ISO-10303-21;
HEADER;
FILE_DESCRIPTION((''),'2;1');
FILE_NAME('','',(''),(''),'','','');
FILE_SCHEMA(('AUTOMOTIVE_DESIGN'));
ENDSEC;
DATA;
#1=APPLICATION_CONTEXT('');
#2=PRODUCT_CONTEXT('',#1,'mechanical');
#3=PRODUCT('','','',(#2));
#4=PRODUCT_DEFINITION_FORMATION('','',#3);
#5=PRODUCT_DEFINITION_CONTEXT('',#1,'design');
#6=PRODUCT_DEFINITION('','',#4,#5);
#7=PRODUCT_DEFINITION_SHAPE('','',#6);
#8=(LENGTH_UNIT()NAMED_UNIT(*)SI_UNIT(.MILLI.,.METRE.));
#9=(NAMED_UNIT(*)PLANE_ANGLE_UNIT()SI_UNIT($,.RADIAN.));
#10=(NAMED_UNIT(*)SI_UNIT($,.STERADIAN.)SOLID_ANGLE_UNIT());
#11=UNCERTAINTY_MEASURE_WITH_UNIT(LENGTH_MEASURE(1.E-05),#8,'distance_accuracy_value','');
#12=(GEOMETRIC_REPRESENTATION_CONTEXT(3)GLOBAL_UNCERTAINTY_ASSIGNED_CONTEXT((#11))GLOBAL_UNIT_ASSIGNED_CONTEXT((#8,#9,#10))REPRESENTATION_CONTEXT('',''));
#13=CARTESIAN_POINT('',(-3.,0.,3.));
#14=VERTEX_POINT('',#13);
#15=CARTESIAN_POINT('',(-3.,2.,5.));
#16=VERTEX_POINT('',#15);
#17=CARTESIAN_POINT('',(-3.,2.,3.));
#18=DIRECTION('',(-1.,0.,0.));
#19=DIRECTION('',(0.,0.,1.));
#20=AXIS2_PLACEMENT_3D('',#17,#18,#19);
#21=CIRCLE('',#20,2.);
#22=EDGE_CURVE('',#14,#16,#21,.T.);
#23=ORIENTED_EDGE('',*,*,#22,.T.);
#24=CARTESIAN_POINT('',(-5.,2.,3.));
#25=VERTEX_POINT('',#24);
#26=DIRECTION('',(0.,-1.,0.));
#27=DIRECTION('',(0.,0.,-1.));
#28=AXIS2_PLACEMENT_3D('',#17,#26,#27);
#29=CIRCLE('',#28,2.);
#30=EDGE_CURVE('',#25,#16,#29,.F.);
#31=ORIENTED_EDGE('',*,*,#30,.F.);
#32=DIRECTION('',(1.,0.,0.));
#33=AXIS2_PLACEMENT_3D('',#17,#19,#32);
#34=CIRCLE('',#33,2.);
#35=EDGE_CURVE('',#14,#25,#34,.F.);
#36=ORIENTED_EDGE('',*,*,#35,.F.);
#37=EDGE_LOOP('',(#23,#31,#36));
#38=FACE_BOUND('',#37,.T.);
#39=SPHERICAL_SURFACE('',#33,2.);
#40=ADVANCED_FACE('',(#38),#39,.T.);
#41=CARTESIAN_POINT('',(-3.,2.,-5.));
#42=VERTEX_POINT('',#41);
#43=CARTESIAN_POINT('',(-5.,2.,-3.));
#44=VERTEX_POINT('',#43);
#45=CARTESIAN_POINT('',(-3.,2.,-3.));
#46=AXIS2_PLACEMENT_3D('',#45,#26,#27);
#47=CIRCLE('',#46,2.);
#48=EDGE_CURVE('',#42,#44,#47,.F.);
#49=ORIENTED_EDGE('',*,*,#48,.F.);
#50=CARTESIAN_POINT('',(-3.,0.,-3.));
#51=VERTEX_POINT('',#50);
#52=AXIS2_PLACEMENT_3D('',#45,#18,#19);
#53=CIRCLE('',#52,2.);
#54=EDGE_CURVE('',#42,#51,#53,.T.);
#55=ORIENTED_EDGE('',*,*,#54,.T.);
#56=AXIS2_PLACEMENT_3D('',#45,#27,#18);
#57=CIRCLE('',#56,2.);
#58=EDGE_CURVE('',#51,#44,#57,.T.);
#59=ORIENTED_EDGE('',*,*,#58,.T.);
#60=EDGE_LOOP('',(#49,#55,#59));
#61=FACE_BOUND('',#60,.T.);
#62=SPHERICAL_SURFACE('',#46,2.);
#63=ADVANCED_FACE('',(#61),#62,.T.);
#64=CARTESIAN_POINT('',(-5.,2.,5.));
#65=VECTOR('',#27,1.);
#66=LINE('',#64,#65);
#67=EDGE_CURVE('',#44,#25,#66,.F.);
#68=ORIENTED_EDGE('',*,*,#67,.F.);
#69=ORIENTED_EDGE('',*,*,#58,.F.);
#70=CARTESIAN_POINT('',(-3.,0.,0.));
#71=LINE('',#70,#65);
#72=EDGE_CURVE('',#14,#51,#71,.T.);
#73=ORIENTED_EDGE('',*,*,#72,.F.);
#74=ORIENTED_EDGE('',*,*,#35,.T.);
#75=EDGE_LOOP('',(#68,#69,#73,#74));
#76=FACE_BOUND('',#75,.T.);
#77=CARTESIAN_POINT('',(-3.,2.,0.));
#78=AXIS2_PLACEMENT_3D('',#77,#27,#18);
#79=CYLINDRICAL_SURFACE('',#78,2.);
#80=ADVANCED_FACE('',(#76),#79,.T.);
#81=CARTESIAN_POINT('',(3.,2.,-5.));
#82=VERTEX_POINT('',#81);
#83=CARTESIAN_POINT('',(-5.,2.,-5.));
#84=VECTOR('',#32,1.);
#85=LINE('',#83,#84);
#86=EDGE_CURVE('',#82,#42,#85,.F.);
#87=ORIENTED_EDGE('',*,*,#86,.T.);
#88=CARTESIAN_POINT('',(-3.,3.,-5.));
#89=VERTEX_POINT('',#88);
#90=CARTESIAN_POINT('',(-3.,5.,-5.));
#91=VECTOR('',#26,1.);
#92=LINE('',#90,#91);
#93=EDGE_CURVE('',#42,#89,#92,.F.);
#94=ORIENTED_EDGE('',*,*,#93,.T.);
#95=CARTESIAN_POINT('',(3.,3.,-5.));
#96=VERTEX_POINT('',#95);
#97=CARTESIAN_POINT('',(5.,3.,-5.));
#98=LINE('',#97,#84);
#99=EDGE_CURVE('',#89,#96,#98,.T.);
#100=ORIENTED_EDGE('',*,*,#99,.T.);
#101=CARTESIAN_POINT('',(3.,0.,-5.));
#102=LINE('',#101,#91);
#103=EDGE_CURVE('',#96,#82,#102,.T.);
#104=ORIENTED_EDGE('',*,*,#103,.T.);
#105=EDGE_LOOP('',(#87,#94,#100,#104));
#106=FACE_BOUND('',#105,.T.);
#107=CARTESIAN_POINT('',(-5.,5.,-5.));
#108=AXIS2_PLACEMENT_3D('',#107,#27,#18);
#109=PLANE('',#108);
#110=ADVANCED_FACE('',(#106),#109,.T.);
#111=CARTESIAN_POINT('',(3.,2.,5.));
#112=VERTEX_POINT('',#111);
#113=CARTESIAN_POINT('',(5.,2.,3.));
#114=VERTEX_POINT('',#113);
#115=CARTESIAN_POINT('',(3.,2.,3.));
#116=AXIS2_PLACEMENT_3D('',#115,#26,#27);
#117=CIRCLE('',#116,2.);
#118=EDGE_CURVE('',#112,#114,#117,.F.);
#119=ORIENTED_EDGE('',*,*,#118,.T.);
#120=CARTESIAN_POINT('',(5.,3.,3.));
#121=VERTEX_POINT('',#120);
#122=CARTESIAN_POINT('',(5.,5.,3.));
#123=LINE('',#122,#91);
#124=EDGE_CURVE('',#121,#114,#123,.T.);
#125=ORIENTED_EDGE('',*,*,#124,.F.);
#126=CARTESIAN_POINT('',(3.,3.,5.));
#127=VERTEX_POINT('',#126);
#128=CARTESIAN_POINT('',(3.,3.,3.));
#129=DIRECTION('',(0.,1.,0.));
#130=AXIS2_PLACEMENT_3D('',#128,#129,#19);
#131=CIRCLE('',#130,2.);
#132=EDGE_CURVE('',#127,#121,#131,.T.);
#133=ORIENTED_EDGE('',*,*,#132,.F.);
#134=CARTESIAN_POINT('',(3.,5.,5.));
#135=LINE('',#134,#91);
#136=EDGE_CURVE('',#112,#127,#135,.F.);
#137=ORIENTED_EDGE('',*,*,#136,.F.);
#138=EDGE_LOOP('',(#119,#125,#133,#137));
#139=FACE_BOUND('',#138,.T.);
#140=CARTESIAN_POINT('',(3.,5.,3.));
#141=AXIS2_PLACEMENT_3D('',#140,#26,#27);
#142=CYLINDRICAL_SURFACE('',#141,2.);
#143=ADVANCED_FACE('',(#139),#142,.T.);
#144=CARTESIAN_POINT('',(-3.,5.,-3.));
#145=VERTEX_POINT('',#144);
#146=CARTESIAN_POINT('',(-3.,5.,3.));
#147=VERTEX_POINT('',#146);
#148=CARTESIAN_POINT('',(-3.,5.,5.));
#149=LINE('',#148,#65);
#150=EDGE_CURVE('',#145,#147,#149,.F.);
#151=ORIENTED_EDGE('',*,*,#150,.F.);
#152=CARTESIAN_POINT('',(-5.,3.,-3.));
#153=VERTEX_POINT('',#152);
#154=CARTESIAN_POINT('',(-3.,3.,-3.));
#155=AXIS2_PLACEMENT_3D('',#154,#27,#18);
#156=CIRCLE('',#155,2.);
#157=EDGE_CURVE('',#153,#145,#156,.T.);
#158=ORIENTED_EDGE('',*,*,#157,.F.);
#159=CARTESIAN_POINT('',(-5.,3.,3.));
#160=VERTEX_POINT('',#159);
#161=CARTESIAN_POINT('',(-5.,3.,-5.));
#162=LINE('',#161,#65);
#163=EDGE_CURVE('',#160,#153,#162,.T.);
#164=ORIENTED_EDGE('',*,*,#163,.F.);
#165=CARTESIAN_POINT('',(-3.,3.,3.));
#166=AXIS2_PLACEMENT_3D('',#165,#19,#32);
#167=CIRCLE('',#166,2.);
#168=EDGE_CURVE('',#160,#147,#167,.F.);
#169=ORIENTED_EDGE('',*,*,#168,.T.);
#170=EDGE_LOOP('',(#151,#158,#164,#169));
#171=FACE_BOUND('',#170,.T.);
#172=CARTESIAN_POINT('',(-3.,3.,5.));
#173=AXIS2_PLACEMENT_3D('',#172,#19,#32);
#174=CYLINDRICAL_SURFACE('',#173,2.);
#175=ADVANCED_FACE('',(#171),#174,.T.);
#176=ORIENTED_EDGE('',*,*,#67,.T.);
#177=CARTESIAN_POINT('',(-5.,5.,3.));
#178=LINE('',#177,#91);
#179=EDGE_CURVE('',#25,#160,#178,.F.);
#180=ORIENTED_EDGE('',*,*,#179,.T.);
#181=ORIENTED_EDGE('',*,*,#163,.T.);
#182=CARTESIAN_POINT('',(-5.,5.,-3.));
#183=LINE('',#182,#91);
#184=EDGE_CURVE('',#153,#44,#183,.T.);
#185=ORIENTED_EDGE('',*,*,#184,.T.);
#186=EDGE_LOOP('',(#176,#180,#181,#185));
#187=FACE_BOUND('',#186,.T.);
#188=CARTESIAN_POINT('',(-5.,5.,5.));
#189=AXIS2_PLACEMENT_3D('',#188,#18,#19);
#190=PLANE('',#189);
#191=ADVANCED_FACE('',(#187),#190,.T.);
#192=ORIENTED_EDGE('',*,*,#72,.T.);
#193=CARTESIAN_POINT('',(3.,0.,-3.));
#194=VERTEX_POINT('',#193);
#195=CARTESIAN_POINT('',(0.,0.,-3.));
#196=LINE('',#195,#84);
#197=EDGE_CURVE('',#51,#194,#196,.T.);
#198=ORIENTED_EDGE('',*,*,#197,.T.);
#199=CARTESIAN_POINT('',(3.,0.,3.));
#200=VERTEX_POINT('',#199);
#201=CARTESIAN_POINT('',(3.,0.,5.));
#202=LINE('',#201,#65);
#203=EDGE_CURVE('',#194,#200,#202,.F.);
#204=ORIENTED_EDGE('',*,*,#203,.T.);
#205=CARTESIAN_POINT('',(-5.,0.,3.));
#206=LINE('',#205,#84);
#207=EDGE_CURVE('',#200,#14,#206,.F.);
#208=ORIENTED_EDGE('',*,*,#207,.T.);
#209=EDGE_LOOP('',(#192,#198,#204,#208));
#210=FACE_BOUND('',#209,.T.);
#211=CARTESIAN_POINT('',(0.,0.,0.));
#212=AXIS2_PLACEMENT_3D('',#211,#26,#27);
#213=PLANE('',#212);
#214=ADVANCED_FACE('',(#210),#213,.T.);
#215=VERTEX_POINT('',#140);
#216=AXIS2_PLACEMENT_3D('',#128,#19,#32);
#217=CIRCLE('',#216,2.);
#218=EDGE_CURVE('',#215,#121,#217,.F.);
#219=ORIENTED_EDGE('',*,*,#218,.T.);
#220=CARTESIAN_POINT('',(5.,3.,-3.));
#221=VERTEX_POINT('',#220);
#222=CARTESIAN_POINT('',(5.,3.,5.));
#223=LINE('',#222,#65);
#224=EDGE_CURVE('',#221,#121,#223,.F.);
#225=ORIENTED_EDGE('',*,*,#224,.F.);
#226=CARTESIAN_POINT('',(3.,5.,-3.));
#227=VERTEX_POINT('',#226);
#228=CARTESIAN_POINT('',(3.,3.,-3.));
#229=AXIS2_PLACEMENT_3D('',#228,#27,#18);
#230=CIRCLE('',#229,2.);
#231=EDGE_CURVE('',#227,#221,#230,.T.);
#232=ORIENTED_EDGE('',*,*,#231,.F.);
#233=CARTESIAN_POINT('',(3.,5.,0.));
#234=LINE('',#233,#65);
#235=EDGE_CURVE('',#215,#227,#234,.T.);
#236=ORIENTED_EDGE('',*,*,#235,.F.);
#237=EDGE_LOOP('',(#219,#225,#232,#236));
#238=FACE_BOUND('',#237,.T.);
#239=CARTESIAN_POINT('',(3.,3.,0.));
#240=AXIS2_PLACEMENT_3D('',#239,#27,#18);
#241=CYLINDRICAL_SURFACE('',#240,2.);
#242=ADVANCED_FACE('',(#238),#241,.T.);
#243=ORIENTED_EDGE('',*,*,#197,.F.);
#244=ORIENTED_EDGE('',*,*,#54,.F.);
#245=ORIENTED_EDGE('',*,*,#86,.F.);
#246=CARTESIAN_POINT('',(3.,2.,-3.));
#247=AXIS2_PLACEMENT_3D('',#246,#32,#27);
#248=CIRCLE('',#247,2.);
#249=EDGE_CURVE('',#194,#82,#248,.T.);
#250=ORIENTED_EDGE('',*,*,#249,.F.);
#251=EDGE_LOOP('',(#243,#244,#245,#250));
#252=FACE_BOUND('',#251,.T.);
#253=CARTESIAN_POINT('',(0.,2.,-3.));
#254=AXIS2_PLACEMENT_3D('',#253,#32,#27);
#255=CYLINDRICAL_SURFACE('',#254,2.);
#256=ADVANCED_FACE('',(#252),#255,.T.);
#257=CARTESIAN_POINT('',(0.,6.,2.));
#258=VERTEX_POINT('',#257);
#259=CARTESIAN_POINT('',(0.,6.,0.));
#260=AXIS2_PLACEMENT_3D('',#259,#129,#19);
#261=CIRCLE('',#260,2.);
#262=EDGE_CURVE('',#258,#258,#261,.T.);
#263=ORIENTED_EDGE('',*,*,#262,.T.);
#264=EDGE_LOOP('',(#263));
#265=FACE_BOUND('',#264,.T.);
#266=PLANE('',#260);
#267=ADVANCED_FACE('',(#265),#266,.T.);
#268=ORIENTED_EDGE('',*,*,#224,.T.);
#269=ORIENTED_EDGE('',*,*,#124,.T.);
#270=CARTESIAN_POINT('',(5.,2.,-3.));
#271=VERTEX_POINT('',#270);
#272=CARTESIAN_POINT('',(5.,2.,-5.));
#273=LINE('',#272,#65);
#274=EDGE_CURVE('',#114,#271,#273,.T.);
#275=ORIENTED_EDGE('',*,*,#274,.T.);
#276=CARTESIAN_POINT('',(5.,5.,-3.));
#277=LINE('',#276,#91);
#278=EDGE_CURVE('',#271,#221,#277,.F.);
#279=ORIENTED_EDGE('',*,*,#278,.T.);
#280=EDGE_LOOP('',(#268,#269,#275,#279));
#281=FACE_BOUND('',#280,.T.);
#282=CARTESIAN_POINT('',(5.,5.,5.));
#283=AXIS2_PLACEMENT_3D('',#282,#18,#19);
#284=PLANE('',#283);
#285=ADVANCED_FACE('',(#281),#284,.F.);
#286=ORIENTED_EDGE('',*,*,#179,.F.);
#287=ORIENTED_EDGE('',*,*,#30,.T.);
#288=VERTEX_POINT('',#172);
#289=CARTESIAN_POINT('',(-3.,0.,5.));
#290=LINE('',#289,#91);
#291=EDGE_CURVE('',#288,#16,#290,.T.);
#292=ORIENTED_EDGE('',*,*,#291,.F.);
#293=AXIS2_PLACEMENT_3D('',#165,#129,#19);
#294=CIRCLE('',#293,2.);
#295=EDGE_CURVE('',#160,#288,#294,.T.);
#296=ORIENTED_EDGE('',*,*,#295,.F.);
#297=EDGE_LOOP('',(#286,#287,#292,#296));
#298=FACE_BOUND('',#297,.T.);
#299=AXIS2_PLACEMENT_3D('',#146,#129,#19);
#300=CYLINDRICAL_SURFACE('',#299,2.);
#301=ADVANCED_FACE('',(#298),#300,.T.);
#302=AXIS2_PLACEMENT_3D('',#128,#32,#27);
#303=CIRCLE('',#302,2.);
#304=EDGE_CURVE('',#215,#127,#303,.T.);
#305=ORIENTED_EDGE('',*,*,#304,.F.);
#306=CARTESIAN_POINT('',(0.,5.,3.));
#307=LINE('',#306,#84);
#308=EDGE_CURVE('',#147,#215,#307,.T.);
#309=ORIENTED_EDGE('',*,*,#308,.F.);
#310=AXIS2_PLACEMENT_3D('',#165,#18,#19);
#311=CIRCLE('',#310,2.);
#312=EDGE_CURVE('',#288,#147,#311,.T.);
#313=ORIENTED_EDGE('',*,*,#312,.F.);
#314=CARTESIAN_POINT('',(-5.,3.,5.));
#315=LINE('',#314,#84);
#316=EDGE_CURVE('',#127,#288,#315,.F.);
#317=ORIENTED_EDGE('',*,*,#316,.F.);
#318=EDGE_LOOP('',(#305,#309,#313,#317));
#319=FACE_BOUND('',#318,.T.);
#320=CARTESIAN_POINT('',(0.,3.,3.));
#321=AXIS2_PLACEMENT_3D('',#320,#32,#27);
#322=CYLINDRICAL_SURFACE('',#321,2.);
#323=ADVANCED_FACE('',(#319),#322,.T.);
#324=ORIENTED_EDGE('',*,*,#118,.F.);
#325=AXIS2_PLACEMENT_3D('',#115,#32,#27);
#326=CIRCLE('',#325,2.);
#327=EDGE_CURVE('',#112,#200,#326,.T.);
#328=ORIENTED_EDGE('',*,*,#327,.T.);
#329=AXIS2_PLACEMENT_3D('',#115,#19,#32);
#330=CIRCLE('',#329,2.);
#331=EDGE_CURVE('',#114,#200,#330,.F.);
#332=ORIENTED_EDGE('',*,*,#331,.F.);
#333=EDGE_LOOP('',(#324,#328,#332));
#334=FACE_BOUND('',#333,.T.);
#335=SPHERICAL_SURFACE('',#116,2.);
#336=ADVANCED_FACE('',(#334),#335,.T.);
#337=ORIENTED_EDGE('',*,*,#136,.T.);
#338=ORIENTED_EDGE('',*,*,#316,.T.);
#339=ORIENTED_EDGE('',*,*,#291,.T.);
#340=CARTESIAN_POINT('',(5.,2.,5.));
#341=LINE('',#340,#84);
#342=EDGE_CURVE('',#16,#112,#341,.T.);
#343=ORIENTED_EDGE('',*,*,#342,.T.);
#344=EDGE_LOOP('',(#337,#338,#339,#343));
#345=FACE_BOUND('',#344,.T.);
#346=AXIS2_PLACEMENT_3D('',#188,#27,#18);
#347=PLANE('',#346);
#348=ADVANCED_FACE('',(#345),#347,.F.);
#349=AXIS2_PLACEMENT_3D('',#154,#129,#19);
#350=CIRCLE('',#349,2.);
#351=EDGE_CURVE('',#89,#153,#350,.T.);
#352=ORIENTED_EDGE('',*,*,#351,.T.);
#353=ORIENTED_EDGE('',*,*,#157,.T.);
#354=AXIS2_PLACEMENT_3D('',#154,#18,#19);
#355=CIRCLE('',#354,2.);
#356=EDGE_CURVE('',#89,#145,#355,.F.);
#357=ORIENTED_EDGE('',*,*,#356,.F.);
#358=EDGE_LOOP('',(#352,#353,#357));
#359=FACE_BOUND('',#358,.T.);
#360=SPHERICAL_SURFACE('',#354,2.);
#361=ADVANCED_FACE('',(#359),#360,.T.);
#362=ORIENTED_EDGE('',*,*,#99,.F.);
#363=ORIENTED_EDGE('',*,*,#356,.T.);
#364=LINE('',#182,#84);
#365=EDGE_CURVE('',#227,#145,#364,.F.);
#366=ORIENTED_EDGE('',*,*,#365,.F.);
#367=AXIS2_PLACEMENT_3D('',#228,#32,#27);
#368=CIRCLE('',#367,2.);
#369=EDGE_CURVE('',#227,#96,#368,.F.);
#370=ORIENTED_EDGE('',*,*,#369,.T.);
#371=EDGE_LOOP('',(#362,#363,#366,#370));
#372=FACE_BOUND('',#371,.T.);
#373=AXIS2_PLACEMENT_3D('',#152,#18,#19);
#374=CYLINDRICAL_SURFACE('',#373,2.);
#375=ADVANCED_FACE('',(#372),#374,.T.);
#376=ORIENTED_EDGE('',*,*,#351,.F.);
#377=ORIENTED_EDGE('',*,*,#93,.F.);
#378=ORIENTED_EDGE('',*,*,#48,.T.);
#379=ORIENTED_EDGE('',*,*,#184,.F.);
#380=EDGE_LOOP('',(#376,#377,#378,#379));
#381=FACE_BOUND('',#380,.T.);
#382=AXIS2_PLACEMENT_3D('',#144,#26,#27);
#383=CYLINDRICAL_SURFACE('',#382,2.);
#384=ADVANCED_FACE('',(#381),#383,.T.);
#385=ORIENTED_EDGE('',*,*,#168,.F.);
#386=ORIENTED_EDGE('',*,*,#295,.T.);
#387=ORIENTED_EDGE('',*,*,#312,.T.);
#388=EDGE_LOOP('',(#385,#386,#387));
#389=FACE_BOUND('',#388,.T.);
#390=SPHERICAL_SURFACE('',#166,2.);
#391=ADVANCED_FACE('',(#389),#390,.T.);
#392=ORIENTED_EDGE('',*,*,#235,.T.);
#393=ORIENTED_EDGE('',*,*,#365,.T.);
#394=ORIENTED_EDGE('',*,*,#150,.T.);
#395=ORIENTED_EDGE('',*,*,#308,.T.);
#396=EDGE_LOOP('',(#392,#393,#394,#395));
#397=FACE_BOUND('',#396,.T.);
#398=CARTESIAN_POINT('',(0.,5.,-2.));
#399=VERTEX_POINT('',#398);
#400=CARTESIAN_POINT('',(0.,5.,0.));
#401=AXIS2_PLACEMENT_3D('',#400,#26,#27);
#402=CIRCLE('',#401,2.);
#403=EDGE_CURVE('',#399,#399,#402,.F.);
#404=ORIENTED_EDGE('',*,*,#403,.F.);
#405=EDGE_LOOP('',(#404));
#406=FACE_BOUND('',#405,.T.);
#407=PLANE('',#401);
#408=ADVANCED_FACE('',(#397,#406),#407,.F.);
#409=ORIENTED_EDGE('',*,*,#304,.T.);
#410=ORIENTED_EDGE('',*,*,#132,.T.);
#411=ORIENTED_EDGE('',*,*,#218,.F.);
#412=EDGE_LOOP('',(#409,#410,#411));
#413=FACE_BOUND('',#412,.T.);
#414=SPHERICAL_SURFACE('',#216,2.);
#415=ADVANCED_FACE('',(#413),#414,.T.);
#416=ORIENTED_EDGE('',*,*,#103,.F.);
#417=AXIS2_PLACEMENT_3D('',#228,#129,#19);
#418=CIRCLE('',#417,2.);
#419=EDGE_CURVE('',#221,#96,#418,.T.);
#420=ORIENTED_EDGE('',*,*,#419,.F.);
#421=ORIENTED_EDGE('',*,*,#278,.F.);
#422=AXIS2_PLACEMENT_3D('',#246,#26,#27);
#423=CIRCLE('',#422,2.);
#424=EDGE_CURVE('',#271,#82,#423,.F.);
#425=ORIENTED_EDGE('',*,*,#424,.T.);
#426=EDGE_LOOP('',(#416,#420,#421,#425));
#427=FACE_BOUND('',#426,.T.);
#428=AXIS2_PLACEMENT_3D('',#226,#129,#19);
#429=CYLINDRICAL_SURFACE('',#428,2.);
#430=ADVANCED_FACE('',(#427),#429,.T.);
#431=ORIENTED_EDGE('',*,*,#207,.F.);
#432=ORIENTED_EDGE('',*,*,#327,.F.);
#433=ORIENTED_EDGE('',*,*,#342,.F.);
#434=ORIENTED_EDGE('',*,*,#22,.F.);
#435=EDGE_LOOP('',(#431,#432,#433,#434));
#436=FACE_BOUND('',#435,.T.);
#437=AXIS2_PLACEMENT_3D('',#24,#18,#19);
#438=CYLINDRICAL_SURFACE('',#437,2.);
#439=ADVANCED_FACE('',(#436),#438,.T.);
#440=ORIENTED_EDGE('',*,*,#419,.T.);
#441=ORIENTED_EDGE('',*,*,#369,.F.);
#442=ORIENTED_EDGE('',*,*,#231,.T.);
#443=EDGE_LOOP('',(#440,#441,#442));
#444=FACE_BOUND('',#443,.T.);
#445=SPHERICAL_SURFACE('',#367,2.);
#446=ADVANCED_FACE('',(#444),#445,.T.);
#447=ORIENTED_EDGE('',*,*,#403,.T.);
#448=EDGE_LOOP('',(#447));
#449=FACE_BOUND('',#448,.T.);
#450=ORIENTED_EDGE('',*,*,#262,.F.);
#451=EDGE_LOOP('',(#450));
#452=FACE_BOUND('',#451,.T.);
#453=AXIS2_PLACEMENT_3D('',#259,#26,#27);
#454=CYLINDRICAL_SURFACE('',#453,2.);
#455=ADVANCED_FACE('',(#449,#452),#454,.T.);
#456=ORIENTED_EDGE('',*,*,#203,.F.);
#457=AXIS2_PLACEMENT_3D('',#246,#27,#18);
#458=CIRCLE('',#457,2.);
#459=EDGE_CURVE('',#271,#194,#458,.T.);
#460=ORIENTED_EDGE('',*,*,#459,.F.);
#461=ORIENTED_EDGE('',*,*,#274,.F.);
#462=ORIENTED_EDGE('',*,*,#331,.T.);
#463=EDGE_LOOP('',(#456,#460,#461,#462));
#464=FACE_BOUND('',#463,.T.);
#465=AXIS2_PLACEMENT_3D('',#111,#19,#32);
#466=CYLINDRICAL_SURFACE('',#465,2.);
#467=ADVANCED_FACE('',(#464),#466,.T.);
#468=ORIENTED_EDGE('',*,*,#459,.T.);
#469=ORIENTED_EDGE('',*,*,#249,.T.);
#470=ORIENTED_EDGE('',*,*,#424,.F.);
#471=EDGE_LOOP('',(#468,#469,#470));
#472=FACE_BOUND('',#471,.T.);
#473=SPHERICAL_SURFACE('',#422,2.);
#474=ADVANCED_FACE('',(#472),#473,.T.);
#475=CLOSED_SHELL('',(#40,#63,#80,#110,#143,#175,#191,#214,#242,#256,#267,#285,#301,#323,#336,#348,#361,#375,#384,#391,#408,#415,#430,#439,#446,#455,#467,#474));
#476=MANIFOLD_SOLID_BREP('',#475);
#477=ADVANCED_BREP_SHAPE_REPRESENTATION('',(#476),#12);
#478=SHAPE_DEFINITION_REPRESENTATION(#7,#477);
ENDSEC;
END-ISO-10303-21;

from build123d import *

# Parameters (mm, degrees)
SKETCH_1_W      = 10
SKETCH_1_H      = 10
EXTRUDE_1_DEPTH = 5
FILLET_2_R      = 2
SKETCH_2_R      = 2
EXTRUDE_2_DEPTH = 1


with BuildPart() as part:
    # 草图1 → 凸台-拉伸1 (new body)
    with BuildSketch(Plane(origin=(0, 0, 0), x_dir=(1, 0, 0), z_dir=(0, 1, 0))):
        Rectangle(SKETCH_1_W, SKETCH_1_H)
    extrude(amount=EXTRUDE_1_DEPTH)

    # 圆角2
    fillet_2_edges = [part.edges().sort_by_distance(p)[0] for p in [
        (5, 5, 0),
        (0, 5, 5),
        (-5, 5, 0),
        (0, 0, 5),
        (5, 0, 0),
        (0, 0, -5),
        (-5, 0, 0),
        (-5, 2.5, 5),
        (5, 2.5, 5),
        (5, 2.5, -5),
        (-5, 2.5, -5),
        (0, 5, -5),
    ]]
    fillet(fillet_2_edges, radius=FILLET_2_R)

    # 草图2 → 凸台-拉伸2 (add)
    with BuildSketch(Plane(origin=(0, 5, 0), x_dir=(1, 0, 0), z_dir=(0, 1, 0))):
        Circle(SKETCH_2_R)
    extrude(amount=EXTRUDE_2_DEPTH)


solid = part.part
